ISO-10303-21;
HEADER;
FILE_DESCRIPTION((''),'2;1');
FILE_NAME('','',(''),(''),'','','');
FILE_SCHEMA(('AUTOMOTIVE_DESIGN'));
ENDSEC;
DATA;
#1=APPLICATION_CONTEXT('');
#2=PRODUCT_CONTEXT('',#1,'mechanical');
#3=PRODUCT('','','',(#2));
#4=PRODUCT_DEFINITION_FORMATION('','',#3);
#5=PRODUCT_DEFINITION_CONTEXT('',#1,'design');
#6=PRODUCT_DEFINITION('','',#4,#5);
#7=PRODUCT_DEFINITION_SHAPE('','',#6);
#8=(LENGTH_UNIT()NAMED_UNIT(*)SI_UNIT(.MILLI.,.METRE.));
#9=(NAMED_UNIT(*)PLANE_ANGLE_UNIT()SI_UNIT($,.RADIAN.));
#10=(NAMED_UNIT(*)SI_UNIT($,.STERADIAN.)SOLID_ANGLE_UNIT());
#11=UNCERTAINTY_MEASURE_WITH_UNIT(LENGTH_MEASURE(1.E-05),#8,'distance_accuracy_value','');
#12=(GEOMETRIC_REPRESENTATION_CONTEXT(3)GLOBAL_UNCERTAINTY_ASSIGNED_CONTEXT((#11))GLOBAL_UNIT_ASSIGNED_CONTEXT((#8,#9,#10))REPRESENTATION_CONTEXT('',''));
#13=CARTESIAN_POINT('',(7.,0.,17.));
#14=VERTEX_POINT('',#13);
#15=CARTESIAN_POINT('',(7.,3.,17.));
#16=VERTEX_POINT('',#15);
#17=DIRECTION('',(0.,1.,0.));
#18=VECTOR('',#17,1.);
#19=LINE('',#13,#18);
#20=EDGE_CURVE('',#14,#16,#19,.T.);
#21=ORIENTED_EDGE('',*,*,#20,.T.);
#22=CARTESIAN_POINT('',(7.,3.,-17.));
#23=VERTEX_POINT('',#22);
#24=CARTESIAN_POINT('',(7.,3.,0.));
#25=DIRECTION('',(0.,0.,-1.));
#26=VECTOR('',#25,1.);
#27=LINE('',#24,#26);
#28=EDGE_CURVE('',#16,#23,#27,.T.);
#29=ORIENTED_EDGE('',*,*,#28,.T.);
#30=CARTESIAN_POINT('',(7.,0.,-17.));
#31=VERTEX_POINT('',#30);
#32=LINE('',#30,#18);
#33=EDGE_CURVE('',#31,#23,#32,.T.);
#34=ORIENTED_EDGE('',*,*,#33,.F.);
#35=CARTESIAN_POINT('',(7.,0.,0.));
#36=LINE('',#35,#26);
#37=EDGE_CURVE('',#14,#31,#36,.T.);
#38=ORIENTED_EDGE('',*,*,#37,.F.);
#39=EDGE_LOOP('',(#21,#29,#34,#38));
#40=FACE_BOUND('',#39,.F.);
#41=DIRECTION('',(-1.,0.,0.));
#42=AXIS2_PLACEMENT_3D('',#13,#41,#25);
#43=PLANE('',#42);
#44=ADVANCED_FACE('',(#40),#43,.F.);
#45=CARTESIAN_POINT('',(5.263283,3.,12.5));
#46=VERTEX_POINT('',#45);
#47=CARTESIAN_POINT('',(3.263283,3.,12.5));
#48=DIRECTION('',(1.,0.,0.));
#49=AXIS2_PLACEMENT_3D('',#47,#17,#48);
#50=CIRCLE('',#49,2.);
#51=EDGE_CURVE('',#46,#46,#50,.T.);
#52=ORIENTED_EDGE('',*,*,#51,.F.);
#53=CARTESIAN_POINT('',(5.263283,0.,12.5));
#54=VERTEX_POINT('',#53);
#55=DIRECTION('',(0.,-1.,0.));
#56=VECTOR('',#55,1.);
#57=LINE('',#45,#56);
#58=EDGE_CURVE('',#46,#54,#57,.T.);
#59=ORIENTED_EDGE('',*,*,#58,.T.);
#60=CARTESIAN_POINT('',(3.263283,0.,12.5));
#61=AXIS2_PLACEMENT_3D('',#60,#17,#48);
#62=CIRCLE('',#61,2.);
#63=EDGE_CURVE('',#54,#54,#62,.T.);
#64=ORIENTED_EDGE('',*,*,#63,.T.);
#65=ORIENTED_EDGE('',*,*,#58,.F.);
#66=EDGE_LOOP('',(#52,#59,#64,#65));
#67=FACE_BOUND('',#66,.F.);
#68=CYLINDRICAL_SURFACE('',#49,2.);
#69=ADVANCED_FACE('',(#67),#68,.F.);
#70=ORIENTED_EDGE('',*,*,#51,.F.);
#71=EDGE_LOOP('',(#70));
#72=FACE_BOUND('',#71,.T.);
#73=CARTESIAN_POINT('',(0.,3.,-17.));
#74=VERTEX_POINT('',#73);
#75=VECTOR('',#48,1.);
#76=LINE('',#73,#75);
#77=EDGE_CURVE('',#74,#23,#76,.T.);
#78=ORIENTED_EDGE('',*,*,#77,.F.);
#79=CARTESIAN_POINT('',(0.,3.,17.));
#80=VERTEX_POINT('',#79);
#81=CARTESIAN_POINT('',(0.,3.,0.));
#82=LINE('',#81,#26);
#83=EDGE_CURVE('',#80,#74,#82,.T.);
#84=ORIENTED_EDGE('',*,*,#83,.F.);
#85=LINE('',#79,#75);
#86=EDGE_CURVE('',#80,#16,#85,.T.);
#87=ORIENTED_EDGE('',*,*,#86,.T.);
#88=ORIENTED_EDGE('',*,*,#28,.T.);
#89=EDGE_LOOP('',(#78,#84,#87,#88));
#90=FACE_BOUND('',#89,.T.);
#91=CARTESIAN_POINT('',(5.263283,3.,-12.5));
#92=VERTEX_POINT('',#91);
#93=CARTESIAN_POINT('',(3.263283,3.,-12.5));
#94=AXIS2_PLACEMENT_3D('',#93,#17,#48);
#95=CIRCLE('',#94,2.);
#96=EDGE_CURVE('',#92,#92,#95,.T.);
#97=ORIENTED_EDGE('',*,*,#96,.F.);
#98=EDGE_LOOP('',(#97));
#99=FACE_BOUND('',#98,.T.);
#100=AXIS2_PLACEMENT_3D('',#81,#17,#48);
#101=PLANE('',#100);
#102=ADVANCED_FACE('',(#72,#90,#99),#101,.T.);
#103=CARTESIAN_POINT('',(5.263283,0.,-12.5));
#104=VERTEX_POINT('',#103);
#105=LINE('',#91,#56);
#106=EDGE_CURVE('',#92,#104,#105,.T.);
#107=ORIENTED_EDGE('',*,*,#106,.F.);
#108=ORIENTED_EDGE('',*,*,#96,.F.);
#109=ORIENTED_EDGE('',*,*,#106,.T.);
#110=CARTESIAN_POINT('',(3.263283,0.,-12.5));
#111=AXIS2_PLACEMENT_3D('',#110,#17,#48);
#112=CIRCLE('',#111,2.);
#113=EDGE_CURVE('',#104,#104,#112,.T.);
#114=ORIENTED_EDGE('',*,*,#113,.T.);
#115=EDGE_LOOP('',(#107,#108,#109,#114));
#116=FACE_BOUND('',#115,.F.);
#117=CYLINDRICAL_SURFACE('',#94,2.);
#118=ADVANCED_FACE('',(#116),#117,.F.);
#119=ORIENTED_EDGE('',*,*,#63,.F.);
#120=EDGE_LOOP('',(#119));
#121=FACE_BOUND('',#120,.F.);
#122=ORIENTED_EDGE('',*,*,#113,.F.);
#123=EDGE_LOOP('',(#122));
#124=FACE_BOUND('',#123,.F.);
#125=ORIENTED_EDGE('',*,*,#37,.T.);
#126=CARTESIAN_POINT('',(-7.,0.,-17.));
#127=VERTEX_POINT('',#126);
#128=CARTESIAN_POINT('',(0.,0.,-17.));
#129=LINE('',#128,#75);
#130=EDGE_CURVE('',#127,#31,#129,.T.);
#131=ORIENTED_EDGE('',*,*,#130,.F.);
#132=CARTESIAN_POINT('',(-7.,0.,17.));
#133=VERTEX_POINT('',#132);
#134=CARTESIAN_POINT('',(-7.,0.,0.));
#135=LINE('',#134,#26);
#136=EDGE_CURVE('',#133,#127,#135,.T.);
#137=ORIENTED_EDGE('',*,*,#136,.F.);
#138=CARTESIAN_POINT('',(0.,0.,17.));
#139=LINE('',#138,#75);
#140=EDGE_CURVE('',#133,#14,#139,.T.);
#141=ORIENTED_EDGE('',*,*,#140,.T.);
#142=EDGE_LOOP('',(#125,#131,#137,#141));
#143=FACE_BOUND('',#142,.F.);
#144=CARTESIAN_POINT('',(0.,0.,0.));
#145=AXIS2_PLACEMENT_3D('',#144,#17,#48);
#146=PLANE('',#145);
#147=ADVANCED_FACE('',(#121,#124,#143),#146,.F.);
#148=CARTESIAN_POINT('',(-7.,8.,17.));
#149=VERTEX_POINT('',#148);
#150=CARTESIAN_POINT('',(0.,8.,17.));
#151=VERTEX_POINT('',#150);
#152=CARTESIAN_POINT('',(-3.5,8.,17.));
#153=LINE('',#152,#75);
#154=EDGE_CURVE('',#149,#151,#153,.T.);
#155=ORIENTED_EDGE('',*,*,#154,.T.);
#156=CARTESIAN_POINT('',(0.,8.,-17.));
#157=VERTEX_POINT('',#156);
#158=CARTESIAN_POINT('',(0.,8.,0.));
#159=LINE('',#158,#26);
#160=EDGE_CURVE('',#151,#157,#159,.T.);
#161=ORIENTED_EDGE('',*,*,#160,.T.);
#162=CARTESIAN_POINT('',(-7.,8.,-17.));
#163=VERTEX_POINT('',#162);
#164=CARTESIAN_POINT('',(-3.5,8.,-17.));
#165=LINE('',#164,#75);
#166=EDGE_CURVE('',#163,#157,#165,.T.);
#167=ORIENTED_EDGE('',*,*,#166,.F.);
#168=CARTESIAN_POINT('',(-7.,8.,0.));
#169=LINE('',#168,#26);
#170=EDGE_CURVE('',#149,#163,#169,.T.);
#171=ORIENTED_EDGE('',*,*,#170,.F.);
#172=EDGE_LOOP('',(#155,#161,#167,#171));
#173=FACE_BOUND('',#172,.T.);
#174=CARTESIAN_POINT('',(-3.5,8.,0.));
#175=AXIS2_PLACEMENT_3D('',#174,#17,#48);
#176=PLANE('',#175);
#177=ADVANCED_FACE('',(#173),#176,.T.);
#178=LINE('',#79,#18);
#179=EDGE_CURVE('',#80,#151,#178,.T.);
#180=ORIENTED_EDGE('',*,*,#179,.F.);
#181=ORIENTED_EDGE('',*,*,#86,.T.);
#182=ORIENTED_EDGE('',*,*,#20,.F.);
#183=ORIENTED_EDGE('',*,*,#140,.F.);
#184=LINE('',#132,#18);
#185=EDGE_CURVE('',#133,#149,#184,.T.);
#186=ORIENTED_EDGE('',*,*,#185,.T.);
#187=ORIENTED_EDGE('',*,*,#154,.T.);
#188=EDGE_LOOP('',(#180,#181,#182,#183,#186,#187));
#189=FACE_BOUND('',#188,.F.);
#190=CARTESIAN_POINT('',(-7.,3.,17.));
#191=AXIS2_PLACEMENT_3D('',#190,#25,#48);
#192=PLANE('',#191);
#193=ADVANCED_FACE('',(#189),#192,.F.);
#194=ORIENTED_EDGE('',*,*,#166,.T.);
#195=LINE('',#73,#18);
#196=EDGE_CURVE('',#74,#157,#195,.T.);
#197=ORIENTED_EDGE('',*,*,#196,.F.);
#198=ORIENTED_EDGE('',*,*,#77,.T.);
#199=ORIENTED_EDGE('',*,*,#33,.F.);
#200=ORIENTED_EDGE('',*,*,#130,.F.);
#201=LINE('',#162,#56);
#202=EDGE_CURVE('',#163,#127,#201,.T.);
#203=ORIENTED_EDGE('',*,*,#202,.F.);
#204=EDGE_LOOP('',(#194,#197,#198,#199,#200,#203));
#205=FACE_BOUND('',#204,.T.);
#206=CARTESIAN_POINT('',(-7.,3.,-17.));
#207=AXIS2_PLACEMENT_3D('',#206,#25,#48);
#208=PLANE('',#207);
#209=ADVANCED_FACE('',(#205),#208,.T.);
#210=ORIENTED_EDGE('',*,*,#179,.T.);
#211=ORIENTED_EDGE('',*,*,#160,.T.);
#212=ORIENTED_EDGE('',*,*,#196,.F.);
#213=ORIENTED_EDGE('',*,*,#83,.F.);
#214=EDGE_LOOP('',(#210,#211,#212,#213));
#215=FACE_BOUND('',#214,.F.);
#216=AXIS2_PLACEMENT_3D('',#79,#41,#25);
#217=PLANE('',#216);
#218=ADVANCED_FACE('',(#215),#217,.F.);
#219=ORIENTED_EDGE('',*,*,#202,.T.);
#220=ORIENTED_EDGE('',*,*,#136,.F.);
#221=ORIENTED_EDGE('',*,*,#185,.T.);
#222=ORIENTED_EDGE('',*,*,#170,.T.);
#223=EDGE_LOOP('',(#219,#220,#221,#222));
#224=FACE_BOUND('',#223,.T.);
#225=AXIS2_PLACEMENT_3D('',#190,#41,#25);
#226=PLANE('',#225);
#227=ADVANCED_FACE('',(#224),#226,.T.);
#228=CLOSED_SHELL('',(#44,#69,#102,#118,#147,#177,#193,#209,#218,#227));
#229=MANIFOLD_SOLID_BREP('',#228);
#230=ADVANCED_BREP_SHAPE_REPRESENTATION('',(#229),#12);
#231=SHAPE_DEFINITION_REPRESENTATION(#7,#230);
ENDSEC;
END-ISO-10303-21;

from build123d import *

# Parameters (mm, degrees)
SKETCH1_W           = 14
SKETCH1_H           = 34
BOSS_EXTRUDE1_DEPTH = 3
SKETCH2_W           = 7
SKETCH2_H           = 34
BOSS_EXTRUDE2_DEPTH = 5
SKETCH3_R           = 2
CUT_EXTRUDE1_DEPTH  = 5


with BuildPart() as part:
    # Sketch1 → Boss-Extrude1 (new body)
    with BuildSketch(Plane(origin=(0, 0, 0), x_dir=(1, 0, 0), z_dir=(0, 1, 0))):
        Rectangle(SKETCH1_W, SKETCH1_H)
    extrude(amount=BOSS_EXTRUDE1_DEPTH)

    # Sketch2 → Boss-Extrude2 (add)
    with BuildSketch(Plane(origin=(0, 3, 0), x_dir=(1, 0, 0), z_dir=(0, 1, 0))):
        with Locations((-3.5, 0)):
            Rectangle(SKETCH2_W, SKETCH2_H)
    extrude(amount=BOSS_EXTRUDE2_DEPTH)

    # Sketch3 → Cut-Extrude1 (cut)
    with BuildSketch(Plane(origin=(0, 3, 0), x_dir=(1, 0, 0), z_dir=(0, 1, 0))):
        with Locations((3.263282708, -12.5)):
            Circle(SKETCH3_R)
        with Locations((3.263282708, 12.5)):
            Circle(SKETCH3_R)
    extrude(amount=-CUT_EXTRUDE1_DEPTH, mode=Mode.SUBTRACT)


solid = part.part
